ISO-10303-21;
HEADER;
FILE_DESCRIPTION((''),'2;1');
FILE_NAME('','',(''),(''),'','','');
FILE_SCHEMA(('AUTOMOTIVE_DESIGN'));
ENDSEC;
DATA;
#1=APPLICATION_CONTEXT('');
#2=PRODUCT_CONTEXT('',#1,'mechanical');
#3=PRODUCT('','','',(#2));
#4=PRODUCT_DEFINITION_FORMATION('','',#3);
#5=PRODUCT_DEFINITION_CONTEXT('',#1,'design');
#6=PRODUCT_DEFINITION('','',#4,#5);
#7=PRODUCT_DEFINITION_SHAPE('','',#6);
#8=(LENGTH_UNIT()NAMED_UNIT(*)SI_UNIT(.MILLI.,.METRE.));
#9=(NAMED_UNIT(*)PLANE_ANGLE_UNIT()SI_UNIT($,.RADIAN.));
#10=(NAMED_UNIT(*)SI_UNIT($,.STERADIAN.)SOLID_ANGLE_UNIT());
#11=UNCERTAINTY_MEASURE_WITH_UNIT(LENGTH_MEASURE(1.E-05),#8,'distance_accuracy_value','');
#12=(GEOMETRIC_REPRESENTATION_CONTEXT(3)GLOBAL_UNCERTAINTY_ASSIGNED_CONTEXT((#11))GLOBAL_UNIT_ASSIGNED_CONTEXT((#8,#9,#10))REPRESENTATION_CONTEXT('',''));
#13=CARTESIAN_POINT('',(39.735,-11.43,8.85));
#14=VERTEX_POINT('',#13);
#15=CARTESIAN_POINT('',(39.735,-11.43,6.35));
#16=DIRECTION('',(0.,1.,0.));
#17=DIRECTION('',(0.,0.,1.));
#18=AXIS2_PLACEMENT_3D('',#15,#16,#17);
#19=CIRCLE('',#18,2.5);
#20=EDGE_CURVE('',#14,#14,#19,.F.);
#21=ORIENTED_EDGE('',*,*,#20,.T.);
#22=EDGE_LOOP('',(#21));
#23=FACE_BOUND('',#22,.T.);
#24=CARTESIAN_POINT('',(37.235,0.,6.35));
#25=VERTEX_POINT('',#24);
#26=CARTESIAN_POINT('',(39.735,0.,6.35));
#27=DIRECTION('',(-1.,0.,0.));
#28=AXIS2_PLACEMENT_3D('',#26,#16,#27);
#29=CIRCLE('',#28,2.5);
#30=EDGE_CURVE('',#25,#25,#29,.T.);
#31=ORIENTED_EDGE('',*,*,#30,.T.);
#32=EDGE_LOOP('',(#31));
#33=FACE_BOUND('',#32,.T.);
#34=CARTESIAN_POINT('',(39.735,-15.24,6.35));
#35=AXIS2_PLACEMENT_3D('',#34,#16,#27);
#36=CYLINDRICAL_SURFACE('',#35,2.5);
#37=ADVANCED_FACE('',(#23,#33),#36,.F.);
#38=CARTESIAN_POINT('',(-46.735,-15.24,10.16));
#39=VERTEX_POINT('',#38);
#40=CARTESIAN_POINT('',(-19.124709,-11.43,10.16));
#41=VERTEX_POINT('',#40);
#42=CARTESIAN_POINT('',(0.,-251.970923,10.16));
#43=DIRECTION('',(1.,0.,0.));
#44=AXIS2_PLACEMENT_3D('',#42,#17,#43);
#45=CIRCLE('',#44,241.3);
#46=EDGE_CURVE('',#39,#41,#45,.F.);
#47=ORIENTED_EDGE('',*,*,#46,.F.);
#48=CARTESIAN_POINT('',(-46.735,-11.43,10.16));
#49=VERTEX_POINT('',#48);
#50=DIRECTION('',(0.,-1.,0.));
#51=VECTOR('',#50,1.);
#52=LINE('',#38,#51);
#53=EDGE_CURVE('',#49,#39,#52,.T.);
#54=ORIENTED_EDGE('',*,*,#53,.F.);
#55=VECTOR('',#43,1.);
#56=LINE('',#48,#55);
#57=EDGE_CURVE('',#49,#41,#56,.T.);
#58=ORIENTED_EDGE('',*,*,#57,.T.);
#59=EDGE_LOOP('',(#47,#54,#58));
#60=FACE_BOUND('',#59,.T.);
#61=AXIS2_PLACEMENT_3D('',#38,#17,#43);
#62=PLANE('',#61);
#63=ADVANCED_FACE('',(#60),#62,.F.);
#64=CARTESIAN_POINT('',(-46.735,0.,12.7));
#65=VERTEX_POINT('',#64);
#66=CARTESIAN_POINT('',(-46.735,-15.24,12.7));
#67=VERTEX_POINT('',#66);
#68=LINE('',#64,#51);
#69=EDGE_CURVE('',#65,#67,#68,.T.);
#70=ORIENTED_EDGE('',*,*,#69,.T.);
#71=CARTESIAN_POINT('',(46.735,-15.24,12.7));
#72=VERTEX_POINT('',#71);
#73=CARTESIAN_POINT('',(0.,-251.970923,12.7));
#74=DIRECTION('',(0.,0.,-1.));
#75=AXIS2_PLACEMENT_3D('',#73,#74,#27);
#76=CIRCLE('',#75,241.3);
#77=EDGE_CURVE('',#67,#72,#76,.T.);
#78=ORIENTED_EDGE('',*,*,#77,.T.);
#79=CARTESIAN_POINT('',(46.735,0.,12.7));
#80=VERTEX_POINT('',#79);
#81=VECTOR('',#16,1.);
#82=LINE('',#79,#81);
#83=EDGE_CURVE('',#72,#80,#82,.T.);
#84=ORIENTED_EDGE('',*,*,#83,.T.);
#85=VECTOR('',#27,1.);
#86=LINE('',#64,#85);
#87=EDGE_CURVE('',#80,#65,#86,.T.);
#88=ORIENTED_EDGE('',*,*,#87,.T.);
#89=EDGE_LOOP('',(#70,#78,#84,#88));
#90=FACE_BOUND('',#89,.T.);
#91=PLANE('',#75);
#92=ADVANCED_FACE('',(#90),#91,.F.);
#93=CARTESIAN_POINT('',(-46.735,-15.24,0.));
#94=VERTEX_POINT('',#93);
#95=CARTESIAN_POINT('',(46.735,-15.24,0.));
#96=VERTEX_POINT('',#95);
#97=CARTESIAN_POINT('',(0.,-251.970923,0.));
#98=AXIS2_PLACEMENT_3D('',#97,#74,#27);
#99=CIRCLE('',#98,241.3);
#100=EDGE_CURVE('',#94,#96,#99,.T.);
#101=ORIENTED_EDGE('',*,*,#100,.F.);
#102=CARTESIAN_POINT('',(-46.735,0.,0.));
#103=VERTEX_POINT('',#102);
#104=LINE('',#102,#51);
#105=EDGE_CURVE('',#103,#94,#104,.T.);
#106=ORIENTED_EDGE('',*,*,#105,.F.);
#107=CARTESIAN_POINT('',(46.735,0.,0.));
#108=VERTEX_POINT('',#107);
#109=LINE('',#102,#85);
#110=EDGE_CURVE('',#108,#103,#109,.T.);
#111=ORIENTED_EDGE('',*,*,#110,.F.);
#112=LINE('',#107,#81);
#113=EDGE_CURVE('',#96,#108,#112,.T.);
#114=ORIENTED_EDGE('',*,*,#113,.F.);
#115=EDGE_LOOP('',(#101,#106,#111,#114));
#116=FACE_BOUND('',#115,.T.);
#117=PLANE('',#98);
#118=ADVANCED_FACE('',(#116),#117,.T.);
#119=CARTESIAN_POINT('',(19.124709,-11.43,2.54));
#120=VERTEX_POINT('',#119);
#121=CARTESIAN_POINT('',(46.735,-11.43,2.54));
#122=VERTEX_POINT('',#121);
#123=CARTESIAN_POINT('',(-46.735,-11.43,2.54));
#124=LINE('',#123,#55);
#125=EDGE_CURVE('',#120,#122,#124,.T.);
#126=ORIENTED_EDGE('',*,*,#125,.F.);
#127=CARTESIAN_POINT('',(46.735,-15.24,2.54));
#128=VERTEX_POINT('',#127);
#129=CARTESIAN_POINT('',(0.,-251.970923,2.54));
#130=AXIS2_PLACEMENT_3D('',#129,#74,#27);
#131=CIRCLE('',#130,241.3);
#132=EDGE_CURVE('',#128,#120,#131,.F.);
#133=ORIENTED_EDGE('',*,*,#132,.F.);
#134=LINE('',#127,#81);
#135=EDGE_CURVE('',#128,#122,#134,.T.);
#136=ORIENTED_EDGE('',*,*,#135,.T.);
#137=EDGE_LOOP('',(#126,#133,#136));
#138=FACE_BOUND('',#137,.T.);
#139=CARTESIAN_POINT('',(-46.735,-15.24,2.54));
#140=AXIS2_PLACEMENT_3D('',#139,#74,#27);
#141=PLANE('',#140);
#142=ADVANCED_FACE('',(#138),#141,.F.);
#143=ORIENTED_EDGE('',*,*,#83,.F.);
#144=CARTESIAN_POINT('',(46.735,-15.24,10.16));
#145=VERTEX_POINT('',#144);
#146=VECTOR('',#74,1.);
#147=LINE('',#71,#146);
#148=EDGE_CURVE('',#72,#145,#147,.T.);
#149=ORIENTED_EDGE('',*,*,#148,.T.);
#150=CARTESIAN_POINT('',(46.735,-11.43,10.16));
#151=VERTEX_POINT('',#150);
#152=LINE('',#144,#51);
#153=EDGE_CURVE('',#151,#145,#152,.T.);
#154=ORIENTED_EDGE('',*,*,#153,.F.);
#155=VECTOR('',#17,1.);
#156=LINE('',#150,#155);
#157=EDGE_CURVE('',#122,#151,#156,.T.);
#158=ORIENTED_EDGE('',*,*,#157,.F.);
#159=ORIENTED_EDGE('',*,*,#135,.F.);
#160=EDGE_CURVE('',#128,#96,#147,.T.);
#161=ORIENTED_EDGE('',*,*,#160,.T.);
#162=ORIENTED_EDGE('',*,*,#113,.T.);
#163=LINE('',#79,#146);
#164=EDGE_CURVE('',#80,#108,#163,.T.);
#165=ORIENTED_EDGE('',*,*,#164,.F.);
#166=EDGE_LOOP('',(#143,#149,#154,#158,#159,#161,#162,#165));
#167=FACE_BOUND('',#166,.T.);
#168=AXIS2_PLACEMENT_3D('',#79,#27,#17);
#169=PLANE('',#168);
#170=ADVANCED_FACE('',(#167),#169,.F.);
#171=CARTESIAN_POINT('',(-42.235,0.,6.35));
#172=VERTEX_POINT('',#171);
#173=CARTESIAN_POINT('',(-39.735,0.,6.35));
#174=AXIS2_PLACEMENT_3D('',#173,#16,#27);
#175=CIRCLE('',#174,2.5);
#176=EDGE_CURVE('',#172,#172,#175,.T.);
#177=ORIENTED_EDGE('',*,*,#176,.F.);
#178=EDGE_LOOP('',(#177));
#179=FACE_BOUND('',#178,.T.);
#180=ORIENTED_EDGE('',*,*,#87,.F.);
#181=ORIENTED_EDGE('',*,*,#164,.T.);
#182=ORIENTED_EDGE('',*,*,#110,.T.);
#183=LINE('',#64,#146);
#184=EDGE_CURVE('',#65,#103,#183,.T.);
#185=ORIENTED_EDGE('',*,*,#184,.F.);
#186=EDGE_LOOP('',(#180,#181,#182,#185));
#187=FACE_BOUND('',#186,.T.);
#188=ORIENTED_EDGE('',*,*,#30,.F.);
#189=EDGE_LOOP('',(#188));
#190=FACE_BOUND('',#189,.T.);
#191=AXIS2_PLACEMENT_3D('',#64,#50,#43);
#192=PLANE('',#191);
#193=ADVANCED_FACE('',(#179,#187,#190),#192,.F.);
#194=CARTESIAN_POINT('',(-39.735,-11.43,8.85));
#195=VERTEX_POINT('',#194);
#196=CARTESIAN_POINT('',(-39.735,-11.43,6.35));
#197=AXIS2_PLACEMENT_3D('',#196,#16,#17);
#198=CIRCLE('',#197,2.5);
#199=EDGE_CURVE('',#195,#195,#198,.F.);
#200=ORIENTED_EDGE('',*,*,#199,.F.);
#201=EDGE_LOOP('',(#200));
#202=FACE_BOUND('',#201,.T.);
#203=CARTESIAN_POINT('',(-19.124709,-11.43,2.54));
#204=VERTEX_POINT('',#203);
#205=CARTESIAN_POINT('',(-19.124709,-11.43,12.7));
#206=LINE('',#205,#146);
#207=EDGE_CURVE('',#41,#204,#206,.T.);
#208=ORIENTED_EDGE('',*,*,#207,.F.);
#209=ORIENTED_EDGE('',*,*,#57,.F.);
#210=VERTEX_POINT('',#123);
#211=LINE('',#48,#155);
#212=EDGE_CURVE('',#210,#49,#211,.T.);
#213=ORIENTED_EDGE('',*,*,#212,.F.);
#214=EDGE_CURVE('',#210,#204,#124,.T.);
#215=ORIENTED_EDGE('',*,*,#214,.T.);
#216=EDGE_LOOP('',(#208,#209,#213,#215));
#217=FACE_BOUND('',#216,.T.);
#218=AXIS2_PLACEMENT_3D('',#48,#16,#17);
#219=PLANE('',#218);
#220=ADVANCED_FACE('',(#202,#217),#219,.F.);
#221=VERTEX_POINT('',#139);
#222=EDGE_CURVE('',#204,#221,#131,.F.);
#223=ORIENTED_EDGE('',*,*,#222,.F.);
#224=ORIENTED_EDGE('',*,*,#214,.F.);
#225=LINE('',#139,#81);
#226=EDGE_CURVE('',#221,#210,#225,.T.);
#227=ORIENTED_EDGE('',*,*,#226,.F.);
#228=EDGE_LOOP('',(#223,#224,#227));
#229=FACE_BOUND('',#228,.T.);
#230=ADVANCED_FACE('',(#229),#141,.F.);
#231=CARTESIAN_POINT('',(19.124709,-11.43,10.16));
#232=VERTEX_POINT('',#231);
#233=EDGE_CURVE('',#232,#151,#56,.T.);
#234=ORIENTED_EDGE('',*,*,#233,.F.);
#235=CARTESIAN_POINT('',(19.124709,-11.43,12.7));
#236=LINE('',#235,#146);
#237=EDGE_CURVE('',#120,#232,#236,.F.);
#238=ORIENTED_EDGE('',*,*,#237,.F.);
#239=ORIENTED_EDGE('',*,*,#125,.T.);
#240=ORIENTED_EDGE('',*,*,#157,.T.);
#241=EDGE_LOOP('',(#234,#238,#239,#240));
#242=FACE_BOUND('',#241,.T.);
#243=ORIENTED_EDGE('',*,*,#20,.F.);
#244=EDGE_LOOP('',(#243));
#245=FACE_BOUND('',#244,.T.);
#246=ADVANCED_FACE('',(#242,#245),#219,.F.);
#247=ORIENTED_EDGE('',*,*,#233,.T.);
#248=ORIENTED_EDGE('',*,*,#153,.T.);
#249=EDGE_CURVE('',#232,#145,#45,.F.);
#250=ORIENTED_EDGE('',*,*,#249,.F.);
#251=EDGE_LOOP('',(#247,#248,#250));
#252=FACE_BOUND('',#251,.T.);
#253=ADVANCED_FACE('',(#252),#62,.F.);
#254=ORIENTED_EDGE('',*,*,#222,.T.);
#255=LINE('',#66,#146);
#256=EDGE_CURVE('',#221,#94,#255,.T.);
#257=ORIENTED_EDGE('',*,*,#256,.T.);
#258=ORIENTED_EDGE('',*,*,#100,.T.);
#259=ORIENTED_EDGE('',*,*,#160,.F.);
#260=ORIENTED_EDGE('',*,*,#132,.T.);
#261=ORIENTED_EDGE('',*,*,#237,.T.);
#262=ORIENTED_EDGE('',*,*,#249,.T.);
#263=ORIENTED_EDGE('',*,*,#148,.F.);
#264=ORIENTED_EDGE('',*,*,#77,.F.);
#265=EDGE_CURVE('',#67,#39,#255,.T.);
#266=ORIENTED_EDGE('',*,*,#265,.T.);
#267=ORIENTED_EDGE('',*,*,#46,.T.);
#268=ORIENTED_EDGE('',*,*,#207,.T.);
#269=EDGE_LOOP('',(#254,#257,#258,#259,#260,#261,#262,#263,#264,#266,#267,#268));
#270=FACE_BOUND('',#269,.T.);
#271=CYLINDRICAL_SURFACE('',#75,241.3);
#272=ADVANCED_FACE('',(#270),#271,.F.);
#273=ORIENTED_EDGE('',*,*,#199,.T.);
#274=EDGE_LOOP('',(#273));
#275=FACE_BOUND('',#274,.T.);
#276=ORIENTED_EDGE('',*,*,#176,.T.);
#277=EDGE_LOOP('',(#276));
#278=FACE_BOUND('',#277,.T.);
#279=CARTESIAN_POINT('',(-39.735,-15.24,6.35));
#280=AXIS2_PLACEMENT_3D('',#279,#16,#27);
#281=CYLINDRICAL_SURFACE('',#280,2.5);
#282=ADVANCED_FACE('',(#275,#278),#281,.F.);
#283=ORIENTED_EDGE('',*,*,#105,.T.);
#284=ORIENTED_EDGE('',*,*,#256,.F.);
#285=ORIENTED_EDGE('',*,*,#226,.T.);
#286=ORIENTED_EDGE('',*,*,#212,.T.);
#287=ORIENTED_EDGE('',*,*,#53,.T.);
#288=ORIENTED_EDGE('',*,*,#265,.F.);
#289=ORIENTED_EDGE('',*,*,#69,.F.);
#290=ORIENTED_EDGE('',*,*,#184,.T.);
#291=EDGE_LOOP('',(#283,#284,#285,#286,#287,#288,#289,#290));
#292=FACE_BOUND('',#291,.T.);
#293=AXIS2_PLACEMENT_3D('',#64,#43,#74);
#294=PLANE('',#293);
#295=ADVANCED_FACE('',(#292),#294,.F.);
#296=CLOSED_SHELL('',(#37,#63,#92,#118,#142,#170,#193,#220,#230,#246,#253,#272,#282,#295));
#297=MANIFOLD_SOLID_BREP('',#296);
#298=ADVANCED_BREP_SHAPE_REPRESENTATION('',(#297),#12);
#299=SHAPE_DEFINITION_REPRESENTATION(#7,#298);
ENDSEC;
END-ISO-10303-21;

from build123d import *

# Parameters (mm, degrees)
BOSS_EXTRUDE1_DEPTH = 12.7
SKETCH2_R           = 2.5
CUT_EXTRUDE1_DEPTH  = 16.24
SKETCH3_W           = 7.62
SKETCH3_H           = 3.81
CUT_EXTRUDE2_DEPTH  = 94.4700001


with BuildPart() as part:
    # Sketch1 → Boss-Extrude1 (new body)
    with BuildSketch(Plane.XY):
        with BuildLine():
            Line((-46.735, 0), (46.735, 0))
            Line((46.735, 0), (46.735, -15.24))
            ThreePointArc((46.735, -15.24), (0, -10.670922727), (-46.735, -15.24))
            Line((-46.735, -15.24), (-46.735, 0))
        make_face()
    extrude(amount=BOSS_EXTRUDE1_DEPTH)

    # Sketch2 → Cut-Extrude1 (cut, through all)
    with BuildSketch(Plane(origin=(0, 0, 0), x_dir=(1, 0, 0), z_dir=(0, 1, 0))):
        with Locations((-39.735, -6.35)):
            Circle(SKETCH2_R)
        with Locations((39.735, -6.35)):
            Circle(SKETCH2_R)
    extrude(amount=-CUT_EXTRUDE1_DEPTH, mode=Mode.SUBTRACT)

    # Sketch3 → Cut-Extrude2 (cut, through all)
    with BuildSketch(Plane(origin=(46.735, 0, 0), x_dir=(0, 0, -1), z_dir=(1, 0, 0))):
        with Locations((-6.35, -13.335)):
            Rectangle(SKETCH3_W, SKETCH3_H)
    extrude(amount=-CUT_EXTRUDE2_DEPTH, mode=Mode.SUBTRACT)


solid = part.part
